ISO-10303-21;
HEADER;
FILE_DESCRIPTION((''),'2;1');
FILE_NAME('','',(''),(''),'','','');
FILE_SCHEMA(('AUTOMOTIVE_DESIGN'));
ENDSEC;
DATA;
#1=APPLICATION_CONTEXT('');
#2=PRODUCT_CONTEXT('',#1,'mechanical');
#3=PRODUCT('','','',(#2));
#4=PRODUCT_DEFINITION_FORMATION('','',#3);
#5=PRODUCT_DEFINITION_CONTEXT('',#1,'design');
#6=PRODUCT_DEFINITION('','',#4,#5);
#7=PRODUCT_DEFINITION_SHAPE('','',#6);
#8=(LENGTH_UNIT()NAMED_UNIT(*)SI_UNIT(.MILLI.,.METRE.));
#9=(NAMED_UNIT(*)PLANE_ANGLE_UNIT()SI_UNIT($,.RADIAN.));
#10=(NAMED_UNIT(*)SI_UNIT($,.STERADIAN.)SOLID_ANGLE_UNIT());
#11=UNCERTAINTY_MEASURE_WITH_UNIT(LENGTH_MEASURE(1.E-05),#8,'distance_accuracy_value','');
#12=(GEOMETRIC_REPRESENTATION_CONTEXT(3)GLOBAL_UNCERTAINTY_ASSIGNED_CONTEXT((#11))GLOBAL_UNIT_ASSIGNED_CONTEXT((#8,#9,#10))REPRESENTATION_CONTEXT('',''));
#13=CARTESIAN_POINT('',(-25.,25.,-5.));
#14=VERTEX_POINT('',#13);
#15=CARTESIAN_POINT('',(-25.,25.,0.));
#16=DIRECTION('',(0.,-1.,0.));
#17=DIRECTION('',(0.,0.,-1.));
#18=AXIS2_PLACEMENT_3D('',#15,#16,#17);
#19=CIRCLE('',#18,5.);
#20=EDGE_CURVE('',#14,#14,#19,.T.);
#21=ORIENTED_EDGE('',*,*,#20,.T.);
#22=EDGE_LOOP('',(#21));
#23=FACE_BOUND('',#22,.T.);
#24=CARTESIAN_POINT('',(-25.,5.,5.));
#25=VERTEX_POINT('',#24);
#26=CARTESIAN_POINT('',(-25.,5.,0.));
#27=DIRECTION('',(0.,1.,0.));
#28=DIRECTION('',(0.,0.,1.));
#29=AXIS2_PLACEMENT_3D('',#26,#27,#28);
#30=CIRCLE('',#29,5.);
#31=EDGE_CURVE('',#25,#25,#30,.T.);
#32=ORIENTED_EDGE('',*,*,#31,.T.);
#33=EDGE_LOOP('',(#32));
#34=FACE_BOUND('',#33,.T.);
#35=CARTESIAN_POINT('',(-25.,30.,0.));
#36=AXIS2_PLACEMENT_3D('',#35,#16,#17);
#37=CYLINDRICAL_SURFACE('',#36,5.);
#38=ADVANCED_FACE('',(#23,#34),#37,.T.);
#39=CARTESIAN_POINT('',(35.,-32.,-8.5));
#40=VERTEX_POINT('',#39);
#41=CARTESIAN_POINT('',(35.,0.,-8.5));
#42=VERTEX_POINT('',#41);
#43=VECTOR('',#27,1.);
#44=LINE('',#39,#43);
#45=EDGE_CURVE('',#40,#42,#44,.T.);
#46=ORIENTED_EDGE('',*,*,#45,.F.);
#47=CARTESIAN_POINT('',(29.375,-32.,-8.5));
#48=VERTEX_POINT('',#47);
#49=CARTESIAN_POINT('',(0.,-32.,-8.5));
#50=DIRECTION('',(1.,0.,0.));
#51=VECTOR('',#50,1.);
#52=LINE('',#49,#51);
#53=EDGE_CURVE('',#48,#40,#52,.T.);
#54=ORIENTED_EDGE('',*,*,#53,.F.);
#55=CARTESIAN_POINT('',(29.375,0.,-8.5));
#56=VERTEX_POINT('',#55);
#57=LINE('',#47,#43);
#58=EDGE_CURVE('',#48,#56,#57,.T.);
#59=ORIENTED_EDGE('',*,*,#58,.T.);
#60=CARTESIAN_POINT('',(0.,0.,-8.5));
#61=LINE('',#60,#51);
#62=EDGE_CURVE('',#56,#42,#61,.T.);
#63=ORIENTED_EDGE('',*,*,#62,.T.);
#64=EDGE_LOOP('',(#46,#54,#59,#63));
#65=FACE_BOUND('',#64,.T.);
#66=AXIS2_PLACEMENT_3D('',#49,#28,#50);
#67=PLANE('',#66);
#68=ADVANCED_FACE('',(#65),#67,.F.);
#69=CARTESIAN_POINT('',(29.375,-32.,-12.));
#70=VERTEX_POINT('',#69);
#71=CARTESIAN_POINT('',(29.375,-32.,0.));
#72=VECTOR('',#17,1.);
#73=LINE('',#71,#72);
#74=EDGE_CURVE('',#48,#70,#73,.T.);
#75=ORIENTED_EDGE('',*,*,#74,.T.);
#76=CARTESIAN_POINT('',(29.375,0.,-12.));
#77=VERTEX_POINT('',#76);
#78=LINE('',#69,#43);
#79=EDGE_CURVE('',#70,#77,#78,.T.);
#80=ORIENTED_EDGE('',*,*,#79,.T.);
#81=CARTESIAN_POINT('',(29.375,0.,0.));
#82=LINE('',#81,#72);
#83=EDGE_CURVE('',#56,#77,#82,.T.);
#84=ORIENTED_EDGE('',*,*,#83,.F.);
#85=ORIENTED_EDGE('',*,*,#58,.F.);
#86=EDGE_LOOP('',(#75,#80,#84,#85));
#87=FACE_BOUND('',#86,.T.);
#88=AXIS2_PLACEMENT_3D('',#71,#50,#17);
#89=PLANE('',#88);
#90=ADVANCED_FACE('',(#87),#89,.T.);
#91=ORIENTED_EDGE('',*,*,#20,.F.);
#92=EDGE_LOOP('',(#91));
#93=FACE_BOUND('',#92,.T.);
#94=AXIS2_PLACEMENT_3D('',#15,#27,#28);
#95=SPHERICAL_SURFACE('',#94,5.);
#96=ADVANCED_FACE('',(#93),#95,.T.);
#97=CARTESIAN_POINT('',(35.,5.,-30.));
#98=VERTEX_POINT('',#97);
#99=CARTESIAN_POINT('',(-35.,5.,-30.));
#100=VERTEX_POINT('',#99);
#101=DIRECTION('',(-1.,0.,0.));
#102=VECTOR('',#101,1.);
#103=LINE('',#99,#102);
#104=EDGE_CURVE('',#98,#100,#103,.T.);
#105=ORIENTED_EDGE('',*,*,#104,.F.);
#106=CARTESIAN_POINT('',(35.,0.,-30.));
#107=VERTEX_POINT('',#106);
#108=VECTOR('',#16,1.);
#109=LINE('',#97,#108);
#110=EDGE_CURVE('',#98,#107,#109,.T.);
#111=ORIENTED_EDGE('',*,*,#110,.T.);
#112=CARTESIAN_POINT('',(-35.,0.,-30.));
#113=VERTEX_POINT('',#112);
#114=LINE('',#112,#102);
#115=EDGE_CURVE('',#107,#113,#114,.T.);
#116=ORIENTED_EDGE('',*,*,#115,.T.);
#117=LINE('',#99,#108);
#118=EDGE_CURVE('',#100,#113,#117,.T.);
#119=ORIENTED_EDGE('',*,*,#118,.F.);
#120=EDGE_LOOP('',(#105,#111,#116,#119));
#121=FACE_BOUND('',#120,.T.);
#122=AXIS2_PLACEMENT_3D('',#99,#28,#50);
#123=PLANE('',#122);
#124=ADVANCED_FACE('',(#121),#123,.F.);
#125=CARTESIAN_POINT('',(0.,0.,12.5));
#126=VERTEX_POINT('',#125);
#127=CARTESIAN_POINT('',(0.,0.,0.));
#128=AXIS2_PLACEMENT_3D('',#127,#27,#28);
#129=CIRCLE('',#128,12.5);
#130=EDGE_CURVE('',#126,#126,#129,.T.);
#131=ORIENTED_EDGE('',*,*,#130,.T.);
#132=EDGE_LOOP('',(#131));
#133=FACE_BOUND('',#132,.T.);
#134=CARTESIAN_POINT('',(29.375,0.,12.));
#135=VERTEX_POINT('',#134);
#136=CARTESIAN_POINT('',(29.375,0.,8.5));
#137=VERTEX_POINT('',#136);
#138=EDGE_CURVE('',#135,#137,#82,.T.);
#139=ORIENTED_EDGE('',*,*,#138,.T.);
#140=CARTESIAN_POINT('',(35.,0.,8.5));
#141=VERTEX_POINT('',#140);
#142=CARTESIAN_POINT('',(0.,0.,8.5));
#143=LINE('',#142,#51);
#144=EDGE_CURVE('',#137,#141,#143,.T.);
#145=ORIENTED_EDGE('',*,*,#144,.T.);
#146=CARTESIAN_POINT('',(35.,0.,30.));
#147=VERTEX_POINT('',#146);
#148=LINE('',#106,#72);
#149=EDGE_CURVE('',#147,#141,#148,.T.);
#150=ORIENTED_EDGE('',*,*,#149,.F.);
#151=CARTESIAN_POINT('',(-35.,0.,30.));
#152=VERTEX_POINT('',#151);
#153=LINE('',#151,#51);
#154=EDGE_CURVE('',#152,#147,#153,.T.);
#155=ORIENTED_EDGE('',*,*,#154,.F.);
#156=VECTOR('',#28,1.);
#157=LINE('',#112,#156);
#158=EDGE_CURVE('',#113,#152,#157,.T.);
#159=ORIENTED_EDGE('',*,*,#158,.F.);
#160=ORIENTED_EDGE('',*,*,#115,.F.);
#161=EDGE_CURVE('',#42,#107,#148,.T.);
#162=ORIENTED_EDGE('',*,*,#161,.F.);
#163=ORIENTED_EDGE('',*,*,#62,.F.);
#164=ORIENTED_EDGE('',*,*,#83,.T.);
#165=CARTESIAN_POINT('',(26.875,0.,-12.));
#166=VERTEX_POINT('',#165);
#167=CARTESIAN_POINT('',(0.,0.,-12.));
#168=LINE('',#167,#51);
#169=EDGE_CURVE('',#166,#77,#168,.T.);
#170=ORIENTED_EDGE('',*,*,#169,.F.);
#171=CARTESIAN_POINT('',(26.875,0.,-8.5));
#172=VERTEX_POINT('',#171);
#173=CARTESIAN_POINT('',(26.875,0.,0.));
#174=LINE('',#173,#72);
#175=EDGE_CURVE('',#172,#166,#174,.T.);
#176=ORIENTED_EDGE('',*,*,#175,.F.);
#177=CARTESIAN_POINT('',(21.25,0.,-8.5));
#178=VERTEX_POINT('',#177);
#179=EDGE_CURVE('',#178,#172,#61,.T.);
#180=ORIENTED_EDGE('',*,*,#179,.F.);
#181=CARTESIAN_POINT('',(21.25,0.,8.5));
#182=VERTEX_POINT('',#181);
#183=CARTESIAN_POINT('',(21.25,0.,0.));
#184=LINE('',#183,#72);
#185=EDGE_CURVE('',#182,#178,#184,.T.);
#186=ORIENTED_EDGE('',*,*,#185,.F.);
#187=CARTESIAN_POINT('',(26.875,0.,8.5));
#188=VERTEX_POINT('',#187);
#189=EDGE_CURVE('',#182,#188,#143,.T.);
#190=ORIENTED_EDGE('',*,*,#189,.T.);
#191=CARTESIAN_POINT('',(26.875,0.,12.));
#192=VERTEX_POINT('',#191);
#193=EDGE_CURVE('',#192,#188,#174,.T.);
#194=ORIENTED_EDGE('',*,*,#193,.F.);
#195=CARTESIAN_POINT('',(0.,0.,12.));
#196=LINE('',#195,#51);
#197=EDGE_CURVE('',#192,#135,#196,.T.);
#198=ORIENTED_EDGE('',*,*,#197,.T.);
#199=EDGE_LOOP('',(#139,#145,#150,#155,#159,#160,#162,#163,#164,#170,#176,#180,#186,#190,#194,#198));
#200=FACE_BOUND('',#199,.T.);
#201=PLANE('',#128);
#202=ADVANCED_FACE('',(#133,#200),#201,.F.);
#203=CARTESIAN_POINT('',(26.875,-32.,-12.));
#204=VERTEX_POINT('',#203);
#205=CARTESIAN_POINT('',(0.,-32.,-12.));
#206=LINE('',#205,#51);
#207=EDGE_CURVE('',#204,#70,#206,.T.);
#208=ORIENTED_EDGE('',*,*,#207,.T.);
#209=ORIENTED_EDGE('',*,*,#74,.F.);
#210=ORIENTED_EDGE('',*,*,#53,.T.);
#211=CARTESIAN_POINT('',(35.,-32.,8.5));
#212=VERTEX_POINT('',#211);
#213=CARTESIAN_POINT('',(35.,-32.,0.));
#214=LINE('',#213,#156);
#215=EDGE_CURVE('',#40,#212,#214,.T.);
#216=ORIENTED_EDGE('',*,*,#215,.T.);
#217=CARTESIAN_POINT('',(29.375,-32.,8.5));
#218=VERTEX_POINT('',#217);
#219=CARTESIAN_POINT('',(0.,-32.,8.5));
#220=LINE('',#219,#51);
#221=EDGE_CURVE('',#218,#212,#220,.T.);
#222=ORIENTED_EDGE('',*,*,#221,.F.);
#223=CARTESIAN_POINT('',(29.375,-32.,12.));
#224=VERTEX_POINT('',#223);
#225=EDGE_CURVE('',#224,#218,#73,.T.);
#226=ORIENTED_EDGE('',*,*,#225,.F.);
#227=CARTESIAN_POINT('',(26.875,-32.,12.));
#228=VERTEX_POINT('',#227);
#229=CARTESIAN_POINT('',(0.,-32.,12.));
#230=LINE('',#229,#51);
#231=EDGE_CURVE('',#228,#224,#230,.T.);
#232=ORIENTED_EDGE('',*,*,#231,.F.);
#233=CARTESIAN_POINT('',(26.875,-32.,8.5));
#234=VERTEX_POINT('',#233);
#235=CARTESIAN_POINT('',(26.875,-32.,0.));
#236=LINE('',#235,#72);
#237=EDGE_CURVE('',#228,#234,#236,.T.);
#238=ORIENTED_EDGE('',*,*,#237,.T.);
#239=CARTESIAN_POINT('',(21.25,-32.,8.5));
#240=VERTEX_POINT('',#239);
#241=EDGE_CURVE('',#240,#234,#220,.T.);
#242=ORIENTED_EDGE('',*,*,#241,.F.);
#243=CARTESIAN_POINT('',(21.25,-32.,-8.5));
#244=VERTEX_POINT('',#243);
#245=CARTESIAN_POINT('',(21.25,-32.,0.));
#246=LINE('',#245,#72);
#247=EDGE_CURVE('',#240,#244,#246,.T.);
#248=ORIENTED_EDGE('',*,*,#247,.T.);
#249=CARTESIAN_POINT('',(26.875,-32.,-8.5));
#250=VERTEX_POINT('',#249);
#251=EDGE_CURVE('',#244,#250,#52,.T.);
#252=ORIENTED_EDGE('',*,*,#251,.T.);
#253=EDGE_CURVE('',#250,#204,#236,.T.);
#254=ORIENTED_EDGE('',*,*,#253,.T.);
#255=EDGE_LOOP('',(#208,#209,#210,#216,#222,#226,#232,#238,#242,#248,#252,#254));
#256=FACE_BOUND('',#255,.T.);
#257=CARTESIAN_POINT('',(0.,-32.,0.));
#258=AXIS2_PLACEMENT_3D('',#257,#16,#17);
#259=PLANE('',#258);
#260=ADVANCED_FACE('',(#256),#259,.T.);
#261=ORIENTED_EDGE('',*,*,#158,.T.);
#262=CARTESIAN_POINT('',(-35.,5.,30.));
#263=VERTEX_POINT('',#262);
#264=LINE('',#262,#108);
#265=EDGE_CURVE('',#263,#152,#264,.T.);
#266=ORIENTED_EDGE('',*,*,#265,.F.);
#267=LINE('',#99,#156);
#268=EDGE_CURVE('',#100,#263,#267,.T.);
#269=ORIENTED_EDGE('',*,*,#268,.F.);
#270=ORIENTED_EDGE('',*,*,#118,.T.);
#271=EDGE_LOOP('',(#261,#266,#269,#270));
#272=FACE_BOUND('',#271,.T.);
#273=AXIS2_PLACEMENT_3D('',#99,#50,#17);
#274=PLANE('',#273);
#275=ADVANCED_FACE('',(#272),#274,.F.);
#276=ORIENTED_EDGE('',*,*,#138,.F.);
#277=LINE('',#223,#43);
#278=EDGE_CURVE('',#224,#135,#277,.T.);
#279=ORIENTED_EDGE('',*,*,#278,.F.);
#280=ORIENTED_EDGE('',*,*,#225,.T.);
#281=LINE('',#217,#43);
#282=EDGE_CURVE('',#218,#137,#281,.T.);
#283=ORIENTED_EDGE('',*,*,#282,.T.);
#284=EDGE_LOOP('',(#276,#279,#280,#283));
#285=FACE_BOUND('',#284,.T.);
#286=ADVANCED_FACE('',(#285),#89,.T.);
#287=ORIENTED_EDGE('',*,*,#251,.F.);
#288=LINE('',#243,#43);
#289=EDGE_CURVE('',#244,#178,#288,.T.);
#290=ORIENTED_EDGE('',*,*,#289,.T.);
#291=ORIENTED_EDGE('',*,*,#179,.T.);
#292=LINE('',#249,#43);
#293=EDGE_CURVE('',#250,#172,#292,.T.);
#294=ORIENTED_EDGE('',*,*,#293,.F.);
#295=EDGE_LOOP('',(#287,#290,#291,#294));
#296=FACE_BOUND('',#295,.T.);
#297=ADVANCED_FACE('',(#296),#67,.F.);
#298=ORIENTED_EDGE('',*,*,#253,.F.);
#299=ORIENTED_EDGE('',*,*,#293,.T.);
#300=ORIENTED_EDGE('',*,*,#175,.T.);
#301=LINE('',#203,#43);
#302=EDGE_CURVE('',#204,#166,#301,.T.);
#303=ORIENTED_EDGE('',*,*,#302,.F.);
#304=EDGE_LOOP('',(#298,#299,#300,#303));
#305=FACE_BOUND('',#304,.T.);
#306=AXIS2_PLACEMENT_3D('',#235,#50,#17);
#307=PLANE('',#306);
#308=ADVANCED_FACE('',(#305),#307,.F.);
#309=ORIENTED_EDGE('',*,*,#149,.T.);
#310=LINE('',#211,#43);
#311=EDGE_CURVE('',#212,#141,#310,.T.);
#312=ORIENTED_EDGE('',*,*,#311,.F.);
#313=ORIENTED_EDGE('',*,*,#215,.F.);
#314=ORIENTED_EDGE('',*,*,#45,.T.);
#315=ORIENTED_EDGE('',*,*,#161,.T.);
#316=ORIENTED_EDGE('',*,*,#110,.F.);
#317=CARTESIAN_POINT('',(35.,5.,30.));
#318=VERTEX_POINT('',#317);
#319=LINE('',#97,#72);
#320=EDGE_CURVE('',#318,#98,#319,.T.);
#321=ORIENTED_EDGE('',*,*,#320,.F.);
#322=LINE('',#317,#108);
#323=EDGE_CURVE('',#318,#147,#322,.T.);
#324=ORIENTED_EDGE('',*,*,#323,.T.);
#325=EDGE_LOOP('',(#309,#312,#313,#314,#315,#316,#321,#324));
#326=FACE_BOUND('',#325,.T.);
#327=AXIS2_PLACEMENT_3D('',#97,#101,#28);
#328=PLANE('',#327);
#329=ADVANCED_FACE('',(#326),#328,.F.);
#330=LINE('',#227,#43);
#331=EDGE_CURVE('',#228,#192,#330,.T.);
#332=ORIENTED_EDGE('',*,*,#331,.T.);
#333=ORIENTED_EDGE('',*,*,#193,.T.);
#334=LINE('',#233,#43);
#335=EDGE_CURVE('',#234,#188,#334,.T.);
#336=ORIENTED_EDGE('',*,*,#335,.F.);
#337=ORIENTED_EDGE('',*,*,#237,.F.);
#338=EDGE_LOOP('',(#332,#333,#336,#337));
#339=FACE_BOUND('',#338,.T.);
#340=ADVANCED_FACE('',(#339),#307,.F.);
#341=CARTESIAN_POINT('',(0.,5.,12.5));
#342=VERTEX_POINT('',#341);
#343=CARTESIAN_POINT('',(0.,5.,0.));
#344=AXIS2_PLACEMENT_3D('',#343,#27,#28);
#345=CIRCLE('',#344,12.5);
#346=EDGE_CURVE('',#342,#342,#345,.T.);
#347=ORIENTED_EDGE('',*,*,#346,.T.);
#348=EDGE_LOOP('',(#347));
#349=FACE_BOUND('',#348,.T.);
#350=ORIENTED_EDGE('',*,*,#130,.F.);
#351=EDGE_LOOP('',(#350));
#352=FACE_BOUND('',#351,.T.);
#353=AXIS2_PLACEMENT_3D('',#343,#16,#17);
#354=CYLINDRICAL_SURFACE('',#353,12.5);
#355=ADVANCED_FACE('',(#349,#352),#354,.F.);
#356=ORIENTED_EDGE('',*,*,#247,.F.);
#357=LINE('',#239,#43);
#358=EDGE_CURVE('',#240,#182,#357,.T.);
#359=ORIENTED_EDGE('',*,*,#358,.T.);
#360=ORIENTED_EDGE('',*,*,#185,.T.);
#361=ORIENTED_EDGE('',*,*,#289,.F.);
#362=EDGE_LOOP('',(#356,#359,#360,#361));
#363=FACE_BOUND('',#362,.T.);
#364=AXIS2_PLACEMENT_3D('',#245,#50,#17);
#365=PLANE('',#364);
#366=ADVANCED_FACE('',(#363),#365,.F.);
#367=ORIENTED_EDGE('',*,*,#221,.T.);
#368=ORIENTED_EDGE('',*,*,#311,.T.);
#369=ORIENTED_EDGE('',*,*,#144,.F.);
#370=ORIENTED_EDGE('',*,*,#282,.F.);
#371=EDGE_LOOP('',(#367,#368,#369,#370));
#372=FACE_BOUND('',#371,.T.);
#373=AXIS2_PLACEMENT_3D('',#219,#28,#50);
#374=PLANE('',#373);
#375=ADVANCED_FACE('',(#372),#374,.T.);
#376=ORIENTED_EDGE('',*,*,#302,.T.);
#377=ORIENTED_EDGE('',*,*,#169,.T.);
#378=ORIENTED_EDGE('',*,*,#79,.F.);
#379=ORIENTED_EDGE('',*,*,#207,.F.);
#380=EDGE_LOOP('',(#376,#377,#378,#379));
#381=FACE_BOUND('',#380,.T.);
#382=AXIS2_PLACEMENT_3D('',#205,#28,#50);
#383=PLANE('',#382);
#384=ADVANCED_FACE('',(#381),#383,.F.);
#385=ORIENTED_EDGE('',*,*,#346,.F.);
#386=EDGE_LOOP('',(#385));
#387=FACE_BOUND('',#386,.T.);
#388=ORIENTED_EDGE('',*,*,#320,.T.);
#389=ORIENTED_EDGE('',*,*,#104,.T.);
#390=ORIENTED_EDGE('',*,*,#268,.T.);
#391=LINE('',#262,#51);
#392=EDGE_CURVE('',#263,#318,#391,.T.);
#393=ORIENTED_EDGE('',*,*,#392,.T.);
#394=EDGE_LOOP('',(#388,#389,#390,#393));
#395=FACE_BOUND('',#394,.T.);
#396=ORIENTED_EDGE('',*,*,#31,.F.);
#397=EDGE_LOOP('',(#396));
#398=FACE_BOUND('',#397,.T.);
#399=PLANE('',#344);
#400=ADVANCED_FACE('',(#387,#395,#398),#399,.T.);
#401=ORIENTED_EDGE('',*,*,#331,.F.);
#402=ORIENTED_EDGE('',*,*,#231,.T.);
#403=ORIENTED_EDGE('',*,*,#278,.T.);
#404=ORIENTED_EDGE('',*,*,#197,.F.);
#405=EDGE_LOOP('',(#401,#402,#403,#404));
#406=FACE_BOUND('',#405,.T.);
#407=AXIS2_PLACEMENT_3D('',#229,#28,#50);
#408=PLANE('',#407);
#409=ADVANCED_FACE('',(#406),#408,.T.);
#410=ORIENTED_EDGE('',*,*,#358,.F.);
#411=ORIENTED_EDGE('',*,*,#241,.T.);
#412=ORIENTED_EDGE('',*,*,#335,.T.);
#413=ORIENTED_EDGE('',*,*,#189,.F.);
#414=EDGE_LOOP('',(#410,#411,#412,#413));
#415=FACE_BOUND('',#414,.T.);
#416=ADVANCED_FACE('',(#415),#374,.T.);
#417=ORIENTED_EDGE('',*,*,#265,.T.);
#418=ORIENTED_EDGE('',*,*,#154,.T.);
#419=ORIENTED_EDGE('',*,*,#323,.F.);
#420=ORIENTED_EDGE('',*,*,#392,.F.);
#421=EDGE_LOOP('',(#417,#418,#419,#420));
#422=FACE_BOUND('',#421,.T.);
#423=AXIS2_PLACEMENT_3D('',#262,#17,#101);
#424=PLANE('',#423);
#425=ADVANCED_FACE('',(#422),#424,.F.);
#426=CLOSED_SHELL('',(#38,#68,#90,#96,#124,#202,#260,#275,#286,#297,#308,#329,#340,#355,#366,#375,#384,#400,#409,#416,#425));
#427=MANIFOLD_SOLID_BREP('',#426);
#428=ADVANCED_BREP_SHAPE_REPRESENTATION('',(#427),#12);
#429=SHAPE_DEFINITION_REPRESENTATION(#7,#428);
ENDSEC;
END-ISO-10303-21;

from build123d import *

# Parameters (mm, degrees)
CROQUIS1_W              = 70
CROQUIS1_H              = 60
CROQUIS1_R              = 12.5
SALIENTE_EXTRUIR1_DEPTH = 5
CROQUIS2_W              = 5.625
CROQUIS2_H              = 17
CROQUIS2_W_2            = 2.5
CROQUIS2_H_2            = 3.5
SALIENTE_EXTRUIR2_DEPTH = 32
CROQUIS3_R              = 5
SALIENTE_EXTRUIR3_DEPTH = 25
REDONDEO1_R             = 5


with BuildPart() as part:
    # Croquis1 → Saliente-Extruir1 (new body)
    with BuildSketch(Plane(origin=(0, 0, 0), x_dir=(1, 0, 0), z_dir=(0, 1, 0))):
        Rectangle(CROQUIS1_W, CROQUIS1_H)
        Circle(CROQUIS1_R, mode=Mode.SUBTRACT)
    extrude(amount=SALIENTE_EXTRUIR1_DEPTH)

    # Croquis2 → Saliente-Extruir2 (add)
    with BuildSketch(Plane.XZ):
        with Locations((32.1875, 0)):
            Rectangle(CROQUIS2_W, CROQUIS2_H)
        with Locations((28.125, 0)):
            Rectangle(CROQUIS2_W_2, CROQUIS2_H)
        with Locations((28.125, 10.25)):
            Rectangle(CROQUIS2_W_2, CROQUIS2_H_2)
        with Locations((24.0625, 0)):
            Rectangle(CROQUIS2_W, CROQUIS2_H)
        with Locations((28.125, -10.25)):
            Rectangle(CROQUIS2_W_2, CROQUIS2_H_2)
    extrude(amount=SALIENTE_EXTRUIR2_DEPTH)

    # Croquis3 → Saliente-Extruir3 (add)
    with BuildSketch(Plane(origin=(0, 5, 0), x_dir=(1, 0, 0), z_dir=(0, 1, 0))):
        with Locations((-25, 0)):
            Circle(CROQUIS3_R)
    extrude(amount=SALIENTE_EXTRUIR3_DEPTH)

    # Redondeo1
    redondeo1_edges = [part.edges().sort_by_distance(p)[0] for p in [
        (-30, 30, 0),
    ]]
    fillet(redondeo1_edges, radius=REDONDEO1_R)


solid = part.part
